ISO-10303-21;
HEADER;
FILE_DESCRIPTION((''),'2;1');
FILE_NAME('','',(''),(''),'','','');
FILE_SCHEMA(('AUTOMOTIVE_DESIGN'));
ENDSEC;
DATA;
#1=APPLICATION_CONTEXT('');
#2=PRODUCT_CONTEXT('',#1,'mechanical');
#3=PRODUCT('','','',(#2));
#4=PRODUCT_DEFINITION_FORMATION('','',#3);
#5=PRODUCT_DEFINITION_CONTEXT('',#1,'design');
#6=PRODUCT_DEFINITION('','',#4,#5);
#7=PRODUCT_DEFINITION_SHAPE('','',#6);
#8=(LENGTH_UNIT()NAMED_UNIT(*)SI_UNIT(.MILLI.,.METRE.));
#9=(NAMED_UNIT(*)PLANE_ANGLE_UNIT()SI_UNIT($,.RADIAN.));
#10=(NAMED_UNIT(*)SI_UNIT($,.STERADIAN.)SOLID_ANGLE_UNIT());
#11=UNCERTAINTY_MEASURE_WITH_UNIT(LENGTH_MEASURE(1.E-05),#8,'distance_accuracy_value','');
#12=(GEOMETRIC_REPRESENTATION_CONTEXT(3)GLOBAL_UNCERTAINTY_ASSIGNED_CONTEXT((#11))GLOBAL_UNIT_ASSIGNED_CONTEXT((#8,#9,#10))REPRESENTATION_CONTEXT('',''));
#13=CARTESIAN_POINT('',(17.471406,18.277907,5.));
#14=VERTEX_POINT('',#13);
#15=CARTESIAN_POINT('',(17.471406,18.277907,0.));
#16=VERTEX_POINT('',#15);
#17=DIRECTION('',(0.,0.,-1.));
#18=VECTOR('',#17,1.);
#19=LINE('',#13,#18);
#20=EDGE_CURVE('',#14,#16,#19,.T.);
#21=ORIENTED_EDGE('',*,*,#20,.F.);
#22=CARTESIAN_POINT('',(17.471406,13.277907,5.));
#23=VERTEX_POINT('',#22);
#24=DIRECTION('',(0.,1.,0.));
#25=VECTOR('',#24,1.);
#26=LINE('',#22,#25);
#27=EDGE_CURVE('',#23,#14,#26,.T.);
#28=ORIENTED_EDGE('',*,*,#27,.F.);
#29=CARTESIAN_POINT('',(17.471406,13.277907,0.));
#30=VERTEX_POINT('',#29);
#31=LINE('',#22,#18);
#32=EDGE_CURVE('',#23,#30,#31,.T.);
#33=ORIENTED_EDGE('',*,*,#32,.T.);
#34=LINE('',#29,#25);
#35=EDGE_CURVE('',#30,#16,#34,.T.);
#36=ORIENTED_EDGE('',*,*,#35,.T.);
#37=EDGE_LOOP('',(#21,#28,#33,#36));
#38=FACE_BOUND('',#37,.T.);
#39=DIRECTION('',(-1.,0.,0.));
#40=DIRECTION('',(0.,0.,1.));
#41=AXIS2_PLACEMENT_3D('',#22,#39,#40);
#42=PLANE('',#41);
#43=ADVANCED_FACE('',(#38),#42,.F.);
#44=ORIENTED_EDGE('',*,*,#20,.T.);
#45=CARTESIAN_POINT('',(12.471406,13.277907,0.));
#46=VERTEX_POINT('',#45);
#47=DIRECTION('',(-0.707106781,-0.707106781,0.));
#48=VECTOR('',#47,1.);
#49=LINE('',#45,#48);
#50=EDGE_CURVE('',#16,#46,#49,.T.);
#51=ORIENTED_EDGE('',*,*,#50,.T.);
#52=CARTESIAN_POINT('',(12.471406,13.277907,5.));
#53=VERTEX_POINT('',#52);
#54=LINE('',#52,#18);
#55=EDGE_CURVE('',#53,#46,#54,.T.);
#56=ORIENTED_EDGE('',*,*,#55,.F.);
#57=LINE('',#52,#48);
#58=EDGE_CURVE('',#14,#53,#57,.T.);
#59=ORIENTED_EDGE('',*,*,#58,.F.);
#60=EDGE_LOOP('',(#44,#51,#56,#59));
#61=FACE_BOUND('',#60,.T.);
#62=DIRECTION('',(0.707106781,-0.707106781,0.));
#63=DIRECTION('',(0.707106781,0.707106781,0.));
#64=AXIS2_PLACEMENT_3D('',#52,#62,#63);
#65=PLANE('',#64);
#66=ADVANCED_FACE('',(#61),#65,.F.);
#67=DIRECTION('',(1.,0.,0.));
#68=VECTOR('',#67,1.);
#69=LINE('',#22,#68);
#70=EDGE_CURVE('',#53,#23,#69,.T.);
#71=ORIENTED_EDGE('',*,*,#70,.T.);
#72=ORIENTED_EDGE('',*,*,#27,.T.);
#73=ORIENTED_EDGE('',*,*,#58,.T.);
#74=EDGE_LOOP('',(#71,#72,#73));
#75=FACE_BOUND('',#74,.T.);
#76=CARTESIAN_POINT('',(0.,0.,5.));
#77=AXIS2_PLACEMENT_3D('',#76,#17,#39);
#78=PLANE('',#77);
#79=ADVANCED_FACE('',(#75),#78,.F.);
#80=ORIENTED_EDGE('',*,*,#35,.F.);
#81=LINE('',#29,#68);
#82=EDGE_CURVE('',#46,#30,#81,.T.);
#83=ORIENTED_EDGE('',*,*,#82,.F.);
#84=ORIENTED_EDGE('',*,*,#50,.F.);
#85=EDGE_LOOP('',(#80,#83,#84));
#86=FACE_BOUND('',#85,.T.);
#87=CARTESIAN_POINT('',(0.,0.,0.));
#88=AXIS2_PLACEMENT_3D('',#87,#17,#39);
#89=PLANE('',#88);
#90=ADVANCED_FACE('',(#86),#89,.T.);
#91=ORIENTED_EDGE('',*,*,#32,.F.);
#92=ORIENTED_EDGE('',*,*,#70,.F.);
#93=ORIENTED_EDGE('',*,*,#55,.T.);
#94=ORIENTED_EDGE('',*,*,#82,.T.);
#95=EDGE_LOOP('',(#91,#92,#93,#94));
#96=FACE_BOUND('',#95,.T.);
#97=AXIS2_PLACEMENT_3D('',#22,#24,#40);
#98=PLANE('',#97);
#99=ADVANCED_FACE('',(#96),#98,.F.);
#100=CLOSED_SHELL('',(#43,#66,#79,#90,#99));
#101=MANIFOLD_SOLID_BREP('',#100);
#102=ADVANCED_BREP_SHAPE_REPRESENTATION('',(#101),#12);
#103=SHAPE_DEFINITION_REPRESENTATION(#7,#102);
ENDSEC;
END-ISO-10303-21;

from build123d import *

# Parameters (mm, degrees)
EXTRUDE_1_DEPTH = 5


with BuildPart() as part:
    # 草图1 → 凸台-拉伸1 (new body)
    with BuildSketch(Plane.XY):
        Polygon((17.471406371, 13.277907024), (17.471406371, 18.277907024), (12.471406371, 13.277907024), align=None)
    extrude(amount=EXTRUDE_1_DEPTH)


solid = part.part
